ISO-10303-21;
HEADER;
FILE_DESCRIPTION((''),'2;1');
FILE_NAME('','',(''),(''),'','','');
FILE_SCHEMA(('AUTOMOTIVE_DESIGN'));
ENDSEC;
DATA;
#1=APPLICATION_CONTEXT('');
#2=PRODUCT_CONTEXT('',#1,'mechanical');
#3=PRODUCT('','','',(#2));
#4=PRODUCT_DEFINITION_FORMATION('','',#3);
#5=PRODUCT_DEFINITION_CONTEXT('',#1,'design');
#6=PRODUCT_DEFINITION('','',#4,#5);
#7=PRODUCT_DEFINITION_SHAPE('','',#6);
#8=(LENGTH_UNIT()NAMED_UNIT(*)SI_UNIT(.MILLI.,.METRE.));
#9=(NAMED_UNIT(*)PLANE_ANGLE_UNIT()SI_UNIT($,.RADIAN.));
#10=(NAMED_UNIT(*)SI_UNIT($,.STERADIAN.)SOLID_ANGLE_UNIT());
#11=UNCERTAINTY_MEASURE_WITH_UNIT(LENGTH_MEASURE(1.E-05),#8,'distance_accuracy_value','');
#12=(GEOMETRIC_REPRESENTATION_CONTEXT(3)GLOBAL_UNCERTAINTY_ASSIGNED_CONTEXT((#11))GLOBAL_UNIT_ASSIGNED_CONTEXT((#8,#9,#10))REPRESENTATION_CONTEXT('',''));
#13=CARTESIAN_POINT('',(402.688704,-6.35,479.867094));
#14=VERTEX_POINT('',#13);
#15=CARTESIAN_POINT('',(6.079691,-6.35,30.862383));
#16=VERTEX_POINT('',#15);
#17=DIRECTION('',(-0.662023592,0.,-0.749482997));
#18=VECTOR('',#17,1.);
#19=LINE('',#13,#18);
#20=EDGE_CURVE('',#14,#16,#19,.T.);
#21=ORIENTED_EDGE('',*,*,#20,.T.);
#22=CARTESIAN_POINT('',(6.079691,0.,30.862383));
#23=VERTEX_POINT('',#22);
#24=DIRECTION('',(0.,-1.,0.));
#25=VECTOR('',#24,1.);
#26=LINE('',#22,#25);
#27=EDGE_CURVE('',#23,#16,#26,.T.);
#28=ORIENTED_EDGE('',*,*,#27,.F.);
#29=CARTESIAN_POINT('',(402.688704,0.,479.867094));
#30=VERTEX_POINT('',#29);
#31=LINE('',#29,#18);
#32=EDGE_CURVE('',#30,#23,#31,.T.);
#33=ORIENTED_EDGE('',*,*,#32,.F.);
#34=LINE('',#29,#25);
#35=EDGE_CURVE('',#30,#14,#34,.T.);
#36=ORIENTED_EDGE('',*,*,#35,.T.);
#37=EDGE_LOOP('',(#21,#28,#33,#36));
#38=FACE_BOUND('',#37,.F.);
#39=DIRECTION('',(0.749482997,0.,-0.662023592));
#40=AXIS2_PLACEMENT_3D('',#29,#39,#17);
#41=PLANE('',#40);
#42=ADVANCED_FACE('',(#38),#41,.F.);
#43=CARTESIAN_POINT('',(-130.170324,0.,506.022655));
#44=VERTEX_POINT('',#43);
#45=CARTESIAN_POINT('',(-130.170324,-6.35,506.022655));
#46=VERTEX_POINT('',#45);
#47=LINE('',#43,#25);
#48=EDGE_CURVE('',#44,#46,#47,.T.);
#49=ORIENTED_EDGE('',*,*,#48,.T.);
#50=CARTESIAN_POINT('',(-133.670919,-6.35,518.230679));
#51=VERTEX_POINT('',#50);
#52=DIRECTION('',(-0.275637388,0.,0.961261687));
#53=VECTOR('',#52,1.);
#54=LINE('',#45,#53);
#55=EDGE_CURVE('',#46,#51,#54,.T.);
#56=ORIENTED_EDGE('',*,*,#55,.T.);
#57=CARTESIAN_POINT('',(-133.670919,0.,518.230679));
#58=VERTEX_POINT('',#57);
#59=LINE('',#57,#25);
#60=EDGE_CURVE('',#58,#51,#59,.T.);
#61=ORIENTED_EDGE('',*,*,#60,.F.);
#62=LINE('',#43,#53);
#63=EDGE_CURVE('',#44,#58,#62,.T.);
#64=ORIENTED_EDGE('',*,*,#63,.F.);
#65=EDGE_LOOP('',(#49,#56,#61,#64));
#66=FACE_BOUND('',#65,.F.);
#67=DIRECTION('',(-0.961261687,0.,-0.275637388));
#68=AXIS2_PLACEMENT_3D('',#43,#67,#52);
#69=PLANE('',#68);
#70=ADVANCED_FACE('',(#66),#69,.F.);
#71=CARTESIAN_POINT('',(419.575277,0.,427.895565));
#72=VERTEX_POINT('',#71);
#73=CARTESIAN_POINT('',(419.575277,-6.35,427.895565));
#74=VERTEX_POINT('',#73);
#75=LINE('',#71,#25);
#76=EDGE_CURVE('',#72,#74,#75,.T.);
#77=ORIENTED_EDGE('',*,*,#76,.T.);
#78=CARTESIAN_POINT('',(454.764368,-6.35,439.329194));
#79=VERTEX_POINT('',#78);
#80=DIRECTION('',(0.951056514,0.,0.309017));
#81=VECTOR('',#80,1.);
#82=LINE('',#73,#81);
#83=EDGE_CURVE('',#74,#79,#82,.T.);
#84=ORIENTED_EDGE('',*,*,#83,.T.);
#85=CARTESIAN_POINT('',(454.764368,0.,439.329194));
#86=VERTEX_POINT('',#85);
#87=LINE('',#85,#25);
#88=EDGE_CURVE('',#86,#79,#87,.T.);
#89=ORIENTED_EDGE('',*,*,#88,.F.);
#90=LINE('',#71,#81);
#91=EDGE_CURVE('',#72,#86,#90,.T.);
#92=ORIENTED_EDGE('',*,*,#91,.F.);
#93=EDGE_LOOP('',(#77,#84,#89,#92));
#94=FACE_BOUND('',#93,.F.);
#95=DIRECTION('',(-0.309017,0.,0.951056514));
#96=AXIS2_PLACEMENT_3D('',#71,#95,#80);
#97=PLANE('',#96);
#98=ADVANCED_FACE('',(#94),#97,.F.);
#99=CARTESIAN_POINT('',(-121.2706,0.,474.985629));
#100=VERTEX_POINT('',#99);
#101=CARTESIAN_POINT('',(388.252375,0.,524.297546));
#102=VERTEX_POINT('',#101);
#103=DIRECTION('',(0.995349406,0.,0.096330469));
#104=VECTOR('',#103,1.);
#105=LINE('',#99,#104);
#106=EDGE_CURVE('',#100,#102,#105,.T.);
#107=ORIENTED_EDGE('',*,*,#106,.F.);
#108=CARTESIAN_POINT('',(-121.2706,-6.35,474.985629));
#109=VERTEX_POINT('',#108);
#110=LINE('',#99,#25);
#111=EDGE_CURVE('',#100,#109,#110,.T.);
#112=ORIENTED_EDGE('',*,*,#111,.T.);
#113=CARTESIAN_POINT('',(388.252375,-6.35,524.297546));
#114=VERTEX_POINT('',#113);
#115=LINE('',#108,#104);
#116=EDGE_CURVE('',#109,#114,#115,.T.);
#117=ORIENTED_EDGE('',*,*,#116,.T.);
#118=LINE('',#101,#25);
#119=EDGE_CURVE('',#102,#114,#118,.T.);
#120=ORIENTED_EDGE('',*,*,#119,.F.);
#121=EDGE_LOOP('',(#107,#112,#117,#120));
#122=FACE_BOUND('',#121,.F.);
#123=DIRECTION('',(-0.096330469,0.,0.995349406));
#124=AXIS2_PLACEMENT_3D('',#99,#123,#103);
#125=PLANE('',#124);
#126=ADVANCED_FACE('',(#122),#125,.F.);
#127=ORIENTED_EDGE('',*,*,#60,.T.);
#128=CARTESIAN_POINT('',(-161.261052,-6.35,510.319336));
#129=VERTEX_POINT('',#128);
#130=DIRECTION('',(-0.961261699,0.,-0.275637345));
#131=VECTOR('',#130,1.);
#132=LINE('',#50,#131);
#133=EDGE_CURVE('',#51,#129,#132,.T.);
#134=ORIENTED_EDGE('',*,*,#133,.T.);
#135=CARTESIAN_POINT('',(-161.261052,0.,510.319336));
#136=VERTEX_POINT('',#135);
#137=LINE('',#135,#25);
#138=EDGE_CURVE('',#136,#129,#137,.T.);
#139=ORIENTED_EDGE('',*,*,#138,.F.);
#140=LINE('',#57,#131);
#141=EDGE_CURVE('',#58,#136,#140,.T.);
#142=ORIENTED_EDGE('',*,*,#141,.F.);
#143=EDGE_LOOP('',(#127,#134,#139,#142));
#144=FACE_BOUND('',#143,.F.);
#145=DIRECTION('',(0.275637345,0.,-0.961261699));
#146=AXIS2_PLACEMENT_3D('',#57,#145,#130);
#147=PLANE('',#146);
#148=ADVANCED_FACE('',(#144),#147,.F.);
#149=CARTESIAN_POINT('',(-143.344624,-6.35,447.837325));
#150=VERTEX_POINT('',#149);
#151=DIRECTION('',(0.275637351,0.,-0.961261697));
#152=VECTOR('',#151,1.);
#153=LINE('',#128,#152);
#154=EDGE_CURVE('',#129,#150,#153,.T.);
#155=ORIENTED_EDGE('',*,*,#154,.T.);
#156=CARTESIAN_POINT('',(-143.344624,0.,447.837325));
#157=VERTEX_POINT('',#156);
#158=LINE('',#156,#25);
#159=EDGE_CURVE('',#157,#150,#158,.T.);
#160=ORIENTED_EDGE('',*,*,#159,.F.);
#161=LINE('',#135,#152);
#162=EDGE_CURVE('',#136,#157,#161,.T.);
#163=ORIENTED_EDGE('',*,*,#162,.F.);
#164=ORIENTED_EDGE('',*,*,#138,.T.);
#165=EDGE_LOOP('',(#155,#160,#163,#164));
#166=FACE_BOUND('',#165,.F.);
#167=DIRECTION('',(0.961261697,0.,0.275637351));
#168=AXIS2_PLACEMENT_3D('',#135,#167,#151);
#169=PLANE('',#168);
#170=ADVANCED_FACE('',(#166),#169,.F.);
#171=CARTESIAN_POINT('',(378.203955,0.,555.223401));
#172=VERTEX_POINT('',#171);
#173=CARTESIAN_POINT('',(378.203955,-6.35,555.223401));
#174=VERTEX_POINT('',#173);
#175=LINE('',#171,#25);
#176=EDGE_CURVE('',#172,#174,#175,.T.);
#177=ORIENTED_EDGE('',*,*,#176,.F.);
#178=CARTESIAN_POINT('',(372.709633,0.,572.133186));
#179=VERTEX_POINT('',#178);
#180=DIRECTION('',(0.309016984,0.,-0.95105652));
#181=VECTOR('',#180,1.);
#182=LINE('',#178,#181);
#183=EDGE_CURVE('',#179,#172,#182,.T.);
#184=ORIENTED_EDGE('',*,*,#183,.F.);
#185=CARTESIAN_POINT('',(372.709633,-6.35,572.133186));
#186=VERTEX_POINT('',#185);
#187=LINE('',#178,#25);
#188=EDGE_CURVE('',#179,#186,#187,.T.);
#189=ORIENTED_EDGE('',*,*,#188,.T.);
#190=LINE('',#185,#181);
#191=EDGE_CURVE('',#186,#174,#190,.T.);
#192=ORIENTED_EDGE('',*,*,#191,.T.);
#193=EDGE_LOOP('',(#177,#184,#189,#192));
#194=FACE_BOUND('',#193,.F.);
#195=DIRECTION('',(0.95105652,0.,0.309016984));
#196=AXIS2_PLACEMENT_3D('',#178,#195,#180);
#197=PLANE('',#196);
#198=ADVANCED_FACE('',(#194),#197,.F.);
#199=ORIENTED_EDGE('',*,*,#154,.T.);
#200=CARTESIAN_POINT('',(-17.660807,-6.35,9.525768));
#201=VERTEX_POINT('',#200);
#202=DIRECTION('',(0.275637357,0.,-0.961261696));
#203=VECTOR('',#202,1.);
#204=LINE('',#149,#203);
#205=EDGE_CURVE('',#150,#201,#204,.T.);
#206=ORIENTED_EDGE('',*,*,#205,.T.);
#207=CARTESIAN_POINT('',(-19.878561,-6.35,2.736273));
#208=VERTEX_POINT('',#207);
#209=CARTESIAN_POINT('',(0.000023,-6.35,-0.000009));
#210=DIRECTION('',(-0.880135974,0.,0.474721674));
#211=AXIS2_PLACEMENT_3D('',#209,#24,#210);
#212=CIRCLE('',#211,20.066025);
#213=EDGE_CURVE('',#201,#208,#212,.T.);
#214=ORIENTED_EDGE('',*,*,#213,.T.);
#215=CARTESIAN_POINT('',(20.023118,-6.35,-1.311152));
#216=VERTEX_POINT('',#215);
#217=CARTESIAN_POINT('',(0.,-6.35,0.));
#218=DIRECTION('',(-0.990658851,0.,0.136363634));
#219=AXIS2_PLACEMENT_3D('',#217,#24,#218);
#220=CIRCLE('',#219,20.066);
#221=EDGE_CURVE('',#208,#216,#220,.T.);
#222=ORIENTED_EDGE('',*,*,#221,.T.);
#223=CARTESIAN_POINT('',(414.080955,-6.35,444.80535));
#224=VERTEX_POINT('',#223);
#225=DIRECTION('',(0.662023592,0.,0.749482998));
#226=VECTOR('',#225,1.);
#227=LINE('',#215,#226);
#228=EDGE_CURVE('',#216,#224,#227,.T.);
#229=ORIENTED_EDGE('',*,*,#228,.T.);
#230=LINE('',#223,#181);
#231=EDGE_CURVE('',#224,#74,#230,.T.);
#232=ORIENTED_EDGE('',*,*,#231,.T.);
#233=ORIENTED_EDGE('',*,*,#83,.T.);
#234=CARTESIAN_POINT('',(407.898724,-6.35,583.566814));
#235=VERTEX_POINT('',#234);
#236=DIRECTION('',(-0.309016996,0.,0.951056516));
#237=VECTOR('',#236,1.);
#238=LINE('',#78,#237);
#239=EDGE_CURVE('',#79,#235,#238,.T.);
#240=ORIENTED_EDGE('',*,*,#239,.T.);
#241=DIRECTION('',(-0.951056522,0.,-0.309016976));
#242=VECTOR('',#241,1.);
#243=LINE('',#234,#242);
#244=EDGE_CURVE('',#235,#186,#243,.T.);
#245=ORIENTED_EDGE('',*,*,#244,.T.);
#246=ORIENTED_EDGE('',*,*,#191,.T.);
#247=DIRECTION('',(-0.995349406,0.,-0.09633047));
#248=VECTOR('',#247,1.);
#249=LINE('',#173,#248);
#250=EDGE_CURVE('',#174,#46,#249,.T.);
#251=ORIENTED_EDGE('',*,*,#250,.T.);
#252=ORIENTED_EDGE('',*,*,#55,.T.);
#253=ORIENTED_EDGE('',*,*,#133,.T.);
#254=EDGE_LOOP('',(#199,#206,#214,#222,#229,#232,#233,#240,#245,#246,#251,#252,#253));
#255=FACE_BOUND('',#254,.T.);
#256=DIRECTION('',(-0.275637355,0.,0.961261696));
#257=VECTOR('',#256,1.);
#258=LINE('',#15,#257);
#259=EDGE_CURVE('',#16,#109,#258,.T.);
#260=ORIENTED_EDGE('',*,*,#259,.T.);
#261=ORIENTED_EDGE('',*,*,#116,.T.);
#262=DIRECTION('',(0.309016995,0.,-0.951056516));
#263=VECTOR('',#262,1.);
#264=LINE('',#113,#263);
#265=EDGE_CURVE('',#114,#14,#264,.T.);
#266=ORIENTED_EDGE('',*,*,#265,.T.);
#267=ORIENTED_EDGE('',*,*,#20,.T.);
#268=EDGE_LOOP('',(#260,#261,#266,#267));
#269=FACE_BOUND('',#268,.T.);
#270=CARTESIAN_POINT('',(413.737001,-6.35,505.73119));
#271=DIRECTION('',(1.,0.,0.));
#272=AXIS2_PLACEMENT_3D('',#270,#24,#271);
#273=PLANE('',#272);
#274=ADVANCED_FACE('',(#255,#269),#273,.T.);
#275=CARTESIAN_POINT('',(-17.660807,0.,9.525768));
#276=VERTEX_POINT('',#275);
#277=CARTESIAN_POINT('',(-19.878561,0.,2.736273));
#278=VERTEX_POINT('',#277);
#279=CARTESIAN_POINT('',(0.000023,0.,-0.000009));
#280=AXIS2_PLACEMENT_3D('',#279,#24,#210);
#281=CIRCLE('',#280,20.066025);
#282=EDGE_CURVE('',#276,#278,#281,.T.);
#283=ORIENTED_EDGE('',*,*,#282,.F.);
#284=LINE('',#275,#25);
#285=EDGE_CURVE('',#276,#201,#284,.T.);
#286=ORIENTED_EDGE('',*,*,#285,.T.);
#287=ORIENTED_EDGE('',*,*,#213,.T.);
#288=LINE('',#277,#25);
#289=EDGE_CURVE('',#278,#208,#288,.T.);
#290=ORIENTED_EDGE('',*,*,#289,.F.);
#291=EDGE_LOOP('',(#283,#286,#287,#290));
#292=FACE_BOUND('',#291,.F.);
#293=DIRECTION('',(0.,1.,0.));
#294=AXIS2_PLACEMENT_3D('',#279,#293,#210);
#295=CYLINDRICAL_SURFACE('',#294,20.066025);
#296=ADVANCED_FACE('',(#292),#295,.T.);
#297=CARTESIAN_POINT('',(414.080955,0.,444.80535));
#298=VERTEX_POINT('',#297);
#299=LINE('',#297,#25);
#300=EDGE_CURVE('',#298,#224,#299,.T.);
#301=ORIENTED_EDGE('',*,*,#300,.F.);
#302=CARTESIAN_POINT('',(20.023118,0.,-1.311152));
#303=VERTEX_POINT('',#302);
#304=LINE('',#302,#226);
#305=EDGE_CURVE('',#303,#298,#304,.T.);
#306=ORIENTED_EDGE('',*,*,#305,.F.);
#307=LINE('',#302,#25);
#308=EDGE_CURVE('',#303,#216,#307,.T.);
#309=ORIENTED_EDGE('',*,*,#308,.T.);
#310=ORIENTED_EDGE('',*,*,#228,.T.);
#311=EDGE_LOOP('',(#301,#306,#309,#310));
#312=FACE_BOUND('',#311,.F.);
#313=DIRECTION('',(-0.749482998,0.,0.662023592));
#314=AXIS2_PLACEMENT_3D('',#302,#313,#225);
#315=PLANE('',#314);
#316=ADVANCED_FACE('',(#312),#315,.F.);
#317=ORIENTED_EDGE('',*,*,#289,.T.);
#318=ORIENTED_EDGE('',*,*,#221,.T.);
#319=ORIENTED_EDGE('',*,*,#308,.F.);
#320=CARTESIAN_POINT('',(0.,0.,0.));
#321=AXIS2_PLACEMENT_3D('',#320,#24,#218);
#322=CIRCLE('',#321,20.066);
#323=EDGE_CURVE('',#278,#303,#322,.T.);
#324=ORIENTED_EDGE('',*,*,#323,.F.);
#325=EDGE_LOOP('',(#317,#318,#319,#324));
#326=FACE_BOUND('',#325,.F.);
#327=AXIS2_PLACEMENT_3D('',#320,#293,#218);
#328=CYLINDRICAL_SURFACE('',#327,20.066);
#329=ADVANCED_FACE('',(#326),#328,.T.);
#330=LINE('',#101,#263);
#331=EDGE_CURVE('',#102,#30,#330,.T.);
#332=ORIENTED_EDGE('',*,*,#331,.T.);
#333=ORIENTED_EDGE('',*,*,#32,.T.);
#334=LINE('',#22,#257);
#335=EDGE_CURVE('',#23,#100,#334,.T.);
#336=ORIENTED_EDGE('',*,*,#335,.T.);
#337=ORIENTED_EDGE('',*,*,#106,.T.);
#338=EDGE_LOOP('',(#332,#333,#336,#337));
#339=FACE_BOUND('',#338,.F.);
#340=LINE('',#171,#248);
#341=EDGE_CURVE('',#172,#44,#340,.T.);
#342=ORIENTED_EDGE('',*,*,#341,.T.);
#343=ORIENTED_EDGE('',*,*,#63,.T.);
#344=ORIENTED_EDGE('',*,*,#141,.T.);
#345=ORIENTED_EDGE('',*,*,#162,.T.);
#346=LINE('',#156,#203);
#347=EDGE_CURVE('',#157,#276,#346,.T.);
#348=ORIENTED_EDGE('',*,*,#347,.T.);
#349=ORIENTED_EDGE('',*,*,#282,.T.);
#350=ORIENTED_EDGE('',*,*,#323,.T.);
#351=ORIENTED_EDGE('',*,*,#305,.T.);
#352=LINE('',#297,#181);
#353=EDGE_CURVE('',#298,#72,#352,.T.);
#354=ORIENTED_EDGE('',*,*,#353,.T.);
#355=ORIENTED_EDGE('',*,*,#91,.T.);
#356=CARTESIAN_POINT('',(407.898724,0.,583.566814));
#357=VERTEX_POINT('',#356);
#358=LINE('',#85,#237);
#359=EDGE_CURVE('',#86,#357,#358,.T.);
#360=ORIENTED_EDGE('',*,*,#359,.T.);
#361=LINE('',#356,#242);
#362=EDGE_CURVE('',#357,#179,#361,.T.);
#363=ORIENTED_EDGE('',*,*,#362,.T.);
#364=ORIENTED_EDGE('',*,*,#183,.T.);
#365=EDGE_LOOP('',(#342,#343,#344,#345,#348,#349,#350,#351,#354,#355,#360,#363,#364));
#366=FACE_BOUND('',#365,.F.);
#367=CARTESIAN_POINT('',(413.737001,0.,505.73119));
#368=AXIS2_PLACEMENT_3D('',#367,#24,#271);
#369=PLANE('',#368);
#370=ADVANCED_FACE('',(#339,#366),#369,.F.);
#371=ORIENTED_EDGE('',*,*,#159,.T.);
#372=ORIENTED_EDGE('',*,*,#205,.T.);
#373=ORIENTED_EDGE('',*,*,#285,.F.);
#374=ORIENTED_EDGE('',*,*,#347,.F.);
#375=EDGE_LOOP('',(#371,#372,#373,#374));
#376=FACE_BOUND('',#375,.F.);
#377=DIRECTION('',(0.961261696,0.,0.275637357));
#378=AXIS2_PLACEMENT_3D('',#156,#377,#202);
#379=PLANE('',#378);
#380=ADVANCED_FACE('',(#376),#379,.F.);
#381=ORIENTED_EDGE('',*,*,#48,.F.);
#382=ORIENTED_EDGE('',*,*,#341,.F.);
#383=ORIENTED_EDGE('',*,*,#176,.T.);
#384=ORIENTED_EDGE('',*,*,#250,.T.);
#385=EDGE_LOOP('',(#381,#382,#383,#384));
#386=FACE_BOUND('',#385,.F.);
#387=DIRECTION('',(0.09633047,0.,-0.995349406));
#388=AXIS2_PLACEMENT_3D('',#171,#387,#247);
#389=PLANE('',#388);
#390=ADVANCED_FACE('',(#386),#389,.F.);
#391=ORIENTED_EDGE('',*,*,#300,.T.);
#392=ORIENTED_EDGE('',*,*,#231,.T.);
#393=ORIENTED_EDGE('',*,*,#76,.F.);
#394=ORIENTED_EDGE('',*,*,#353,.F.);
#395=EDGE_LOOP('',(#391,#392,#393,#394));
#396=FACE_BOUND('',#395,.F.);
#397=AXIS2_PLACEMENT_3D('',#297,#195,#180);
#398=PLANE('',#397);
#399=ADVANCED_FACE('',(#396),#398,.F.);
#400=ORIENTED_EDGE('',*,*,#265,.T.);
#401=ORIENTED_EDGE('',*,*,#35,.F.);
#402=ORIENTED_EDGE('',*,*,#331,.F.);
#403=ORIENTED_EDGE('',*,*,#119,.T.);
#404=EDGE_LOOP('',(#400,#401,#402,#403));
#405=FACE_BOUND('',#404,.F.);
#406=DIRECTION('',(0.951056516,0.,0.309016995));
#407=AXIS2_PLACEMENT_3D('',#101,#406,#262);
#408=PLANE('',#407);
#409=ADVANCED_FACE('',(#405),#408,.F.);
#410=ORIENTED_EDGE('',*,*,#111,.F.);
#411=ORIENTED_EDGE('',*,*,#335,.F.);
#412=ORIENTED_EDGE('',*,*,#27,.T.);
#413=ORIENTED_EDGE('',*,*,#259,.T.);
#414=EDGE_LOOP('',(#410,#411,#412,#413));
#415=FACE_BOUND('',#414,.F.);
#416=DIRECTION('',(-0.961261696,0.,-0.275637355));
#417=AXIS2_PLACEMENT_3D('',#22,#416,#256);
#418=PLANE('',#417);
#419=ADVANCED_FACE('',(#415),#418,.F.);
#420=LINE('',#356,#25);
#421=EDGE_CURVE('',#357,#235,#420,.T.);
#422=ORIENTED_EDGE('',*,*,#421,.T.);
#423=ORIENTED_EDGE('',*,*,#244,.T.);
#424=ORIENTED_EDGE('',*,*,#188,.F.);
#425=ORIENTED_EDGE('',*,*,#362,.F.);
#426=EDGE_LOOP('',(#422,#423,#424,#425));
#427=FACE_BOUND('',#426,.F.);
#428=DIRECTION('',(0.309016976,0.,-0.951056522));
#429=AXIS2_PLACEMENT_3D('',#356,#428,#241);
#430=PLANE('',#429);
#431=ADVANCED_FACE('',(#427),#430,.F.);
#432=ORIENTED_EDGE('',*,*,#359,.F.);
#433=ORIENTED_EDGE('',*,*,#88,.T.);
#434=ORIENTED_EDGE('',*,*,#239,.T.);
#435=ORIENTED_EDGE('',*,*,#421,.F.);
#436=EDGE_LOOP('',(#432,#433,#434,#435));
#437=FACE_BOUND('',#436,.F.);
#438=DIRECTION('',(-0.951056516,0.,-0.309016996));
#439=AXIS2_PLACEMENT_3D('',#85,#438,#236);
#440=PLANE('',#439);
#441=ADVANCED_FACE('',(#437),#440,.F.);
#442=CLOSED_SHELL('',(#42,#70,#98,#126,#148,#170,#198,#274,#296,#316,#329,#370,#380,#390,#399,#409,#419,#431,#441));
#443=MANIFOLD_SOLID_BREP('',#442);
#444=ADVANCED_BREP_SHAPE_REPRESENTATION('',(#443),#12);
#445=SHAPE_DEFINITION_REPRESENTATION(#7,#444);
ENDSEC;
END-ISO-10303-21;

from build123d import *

# Parameters (mm, degrees)
F1_DEPTH = 6.35


with BuildPart() as f1:
    # F0 (on Front) → F1 (new body)
    with BuildSketch(Plane.XZ):
        Polygon((402.688704, 479.867094), (414.080955, 444.80535), (419.575277, 427.895565), (454.764368, 439.329194), (407.898724, 583.566814), (372.709633, 572.133186), (378.203955, 555.223401), (388.252375, 524.297546), align=None)
        Polygon((-130.170324, 506.022655), (-121.2706, 474.985629), (388.252375, 524.297546), (378.203955, 555.223401), align=None)
        with BuildLine():
            ThreePointArc((-17.660807, 9.525768), (-19.074206, 6.230491), (-19.878561, 2.736273))
            ThreePointArc((-19.878561, 2.736273), (-2.025003, -19.96356), (20.023118, -1.311152))
            ThreePointArc((20.023118, -1.311152), (20.055277, -0.655927), (20.066, 0))
            ThreePointArc((20.066, 0), (17.347712, 10.084704), (9.929326, 17.437111))
            ThreePointArc((9.929326, 17.437111), (-5.530939, 19.288677), (-17.660807, 9.525768))
        make_face()
        with BuildLine():
            ThreePointArc((20.066, 0), (20.055277, -0.655927), (20.023118, -1.311152))
            Line((20.023118, -1.311152), (414.080955, 444.80535))
            Line((414.080955, 444.80535), (402.688704, 479.867094))
            Line((402.688704, 479.867094), (6.079691, 30.862383))
            Line((6.079691, 30.862383), (9.929326, 17.437111))
            ThreePointArc((9.929326, 17.437111), (17.347712, 10.084704), (20.066, 0))
        make_face()
        with BuildLine():
            Line((-143.344624, 447.837325), (-17.660807, 9.525768))
            ThreePointArc((-17.660807, 9.525768), (-5.530939, 19.288677), (9.929326, 17.437111))
            Line((9.929326, 17.437111), (6.079691, 30.862383))
            Line((6.079691, 30.862383), (-121.2706, 474.985629))
            Line((-121.2706, 474.985629), (-130.170324, 506.022655))
            Line((-130.170324, 506.022655), (-133.670919, 518.230679))
            Line((-133.670919, 518.230679), (-161.261052, 510.319336))
            Line((-161.261052, 510.319336), (-143.344624, 447.837325))
        make_face()
    extrude(amount=F1_DEPTH)


solid = f1.part
